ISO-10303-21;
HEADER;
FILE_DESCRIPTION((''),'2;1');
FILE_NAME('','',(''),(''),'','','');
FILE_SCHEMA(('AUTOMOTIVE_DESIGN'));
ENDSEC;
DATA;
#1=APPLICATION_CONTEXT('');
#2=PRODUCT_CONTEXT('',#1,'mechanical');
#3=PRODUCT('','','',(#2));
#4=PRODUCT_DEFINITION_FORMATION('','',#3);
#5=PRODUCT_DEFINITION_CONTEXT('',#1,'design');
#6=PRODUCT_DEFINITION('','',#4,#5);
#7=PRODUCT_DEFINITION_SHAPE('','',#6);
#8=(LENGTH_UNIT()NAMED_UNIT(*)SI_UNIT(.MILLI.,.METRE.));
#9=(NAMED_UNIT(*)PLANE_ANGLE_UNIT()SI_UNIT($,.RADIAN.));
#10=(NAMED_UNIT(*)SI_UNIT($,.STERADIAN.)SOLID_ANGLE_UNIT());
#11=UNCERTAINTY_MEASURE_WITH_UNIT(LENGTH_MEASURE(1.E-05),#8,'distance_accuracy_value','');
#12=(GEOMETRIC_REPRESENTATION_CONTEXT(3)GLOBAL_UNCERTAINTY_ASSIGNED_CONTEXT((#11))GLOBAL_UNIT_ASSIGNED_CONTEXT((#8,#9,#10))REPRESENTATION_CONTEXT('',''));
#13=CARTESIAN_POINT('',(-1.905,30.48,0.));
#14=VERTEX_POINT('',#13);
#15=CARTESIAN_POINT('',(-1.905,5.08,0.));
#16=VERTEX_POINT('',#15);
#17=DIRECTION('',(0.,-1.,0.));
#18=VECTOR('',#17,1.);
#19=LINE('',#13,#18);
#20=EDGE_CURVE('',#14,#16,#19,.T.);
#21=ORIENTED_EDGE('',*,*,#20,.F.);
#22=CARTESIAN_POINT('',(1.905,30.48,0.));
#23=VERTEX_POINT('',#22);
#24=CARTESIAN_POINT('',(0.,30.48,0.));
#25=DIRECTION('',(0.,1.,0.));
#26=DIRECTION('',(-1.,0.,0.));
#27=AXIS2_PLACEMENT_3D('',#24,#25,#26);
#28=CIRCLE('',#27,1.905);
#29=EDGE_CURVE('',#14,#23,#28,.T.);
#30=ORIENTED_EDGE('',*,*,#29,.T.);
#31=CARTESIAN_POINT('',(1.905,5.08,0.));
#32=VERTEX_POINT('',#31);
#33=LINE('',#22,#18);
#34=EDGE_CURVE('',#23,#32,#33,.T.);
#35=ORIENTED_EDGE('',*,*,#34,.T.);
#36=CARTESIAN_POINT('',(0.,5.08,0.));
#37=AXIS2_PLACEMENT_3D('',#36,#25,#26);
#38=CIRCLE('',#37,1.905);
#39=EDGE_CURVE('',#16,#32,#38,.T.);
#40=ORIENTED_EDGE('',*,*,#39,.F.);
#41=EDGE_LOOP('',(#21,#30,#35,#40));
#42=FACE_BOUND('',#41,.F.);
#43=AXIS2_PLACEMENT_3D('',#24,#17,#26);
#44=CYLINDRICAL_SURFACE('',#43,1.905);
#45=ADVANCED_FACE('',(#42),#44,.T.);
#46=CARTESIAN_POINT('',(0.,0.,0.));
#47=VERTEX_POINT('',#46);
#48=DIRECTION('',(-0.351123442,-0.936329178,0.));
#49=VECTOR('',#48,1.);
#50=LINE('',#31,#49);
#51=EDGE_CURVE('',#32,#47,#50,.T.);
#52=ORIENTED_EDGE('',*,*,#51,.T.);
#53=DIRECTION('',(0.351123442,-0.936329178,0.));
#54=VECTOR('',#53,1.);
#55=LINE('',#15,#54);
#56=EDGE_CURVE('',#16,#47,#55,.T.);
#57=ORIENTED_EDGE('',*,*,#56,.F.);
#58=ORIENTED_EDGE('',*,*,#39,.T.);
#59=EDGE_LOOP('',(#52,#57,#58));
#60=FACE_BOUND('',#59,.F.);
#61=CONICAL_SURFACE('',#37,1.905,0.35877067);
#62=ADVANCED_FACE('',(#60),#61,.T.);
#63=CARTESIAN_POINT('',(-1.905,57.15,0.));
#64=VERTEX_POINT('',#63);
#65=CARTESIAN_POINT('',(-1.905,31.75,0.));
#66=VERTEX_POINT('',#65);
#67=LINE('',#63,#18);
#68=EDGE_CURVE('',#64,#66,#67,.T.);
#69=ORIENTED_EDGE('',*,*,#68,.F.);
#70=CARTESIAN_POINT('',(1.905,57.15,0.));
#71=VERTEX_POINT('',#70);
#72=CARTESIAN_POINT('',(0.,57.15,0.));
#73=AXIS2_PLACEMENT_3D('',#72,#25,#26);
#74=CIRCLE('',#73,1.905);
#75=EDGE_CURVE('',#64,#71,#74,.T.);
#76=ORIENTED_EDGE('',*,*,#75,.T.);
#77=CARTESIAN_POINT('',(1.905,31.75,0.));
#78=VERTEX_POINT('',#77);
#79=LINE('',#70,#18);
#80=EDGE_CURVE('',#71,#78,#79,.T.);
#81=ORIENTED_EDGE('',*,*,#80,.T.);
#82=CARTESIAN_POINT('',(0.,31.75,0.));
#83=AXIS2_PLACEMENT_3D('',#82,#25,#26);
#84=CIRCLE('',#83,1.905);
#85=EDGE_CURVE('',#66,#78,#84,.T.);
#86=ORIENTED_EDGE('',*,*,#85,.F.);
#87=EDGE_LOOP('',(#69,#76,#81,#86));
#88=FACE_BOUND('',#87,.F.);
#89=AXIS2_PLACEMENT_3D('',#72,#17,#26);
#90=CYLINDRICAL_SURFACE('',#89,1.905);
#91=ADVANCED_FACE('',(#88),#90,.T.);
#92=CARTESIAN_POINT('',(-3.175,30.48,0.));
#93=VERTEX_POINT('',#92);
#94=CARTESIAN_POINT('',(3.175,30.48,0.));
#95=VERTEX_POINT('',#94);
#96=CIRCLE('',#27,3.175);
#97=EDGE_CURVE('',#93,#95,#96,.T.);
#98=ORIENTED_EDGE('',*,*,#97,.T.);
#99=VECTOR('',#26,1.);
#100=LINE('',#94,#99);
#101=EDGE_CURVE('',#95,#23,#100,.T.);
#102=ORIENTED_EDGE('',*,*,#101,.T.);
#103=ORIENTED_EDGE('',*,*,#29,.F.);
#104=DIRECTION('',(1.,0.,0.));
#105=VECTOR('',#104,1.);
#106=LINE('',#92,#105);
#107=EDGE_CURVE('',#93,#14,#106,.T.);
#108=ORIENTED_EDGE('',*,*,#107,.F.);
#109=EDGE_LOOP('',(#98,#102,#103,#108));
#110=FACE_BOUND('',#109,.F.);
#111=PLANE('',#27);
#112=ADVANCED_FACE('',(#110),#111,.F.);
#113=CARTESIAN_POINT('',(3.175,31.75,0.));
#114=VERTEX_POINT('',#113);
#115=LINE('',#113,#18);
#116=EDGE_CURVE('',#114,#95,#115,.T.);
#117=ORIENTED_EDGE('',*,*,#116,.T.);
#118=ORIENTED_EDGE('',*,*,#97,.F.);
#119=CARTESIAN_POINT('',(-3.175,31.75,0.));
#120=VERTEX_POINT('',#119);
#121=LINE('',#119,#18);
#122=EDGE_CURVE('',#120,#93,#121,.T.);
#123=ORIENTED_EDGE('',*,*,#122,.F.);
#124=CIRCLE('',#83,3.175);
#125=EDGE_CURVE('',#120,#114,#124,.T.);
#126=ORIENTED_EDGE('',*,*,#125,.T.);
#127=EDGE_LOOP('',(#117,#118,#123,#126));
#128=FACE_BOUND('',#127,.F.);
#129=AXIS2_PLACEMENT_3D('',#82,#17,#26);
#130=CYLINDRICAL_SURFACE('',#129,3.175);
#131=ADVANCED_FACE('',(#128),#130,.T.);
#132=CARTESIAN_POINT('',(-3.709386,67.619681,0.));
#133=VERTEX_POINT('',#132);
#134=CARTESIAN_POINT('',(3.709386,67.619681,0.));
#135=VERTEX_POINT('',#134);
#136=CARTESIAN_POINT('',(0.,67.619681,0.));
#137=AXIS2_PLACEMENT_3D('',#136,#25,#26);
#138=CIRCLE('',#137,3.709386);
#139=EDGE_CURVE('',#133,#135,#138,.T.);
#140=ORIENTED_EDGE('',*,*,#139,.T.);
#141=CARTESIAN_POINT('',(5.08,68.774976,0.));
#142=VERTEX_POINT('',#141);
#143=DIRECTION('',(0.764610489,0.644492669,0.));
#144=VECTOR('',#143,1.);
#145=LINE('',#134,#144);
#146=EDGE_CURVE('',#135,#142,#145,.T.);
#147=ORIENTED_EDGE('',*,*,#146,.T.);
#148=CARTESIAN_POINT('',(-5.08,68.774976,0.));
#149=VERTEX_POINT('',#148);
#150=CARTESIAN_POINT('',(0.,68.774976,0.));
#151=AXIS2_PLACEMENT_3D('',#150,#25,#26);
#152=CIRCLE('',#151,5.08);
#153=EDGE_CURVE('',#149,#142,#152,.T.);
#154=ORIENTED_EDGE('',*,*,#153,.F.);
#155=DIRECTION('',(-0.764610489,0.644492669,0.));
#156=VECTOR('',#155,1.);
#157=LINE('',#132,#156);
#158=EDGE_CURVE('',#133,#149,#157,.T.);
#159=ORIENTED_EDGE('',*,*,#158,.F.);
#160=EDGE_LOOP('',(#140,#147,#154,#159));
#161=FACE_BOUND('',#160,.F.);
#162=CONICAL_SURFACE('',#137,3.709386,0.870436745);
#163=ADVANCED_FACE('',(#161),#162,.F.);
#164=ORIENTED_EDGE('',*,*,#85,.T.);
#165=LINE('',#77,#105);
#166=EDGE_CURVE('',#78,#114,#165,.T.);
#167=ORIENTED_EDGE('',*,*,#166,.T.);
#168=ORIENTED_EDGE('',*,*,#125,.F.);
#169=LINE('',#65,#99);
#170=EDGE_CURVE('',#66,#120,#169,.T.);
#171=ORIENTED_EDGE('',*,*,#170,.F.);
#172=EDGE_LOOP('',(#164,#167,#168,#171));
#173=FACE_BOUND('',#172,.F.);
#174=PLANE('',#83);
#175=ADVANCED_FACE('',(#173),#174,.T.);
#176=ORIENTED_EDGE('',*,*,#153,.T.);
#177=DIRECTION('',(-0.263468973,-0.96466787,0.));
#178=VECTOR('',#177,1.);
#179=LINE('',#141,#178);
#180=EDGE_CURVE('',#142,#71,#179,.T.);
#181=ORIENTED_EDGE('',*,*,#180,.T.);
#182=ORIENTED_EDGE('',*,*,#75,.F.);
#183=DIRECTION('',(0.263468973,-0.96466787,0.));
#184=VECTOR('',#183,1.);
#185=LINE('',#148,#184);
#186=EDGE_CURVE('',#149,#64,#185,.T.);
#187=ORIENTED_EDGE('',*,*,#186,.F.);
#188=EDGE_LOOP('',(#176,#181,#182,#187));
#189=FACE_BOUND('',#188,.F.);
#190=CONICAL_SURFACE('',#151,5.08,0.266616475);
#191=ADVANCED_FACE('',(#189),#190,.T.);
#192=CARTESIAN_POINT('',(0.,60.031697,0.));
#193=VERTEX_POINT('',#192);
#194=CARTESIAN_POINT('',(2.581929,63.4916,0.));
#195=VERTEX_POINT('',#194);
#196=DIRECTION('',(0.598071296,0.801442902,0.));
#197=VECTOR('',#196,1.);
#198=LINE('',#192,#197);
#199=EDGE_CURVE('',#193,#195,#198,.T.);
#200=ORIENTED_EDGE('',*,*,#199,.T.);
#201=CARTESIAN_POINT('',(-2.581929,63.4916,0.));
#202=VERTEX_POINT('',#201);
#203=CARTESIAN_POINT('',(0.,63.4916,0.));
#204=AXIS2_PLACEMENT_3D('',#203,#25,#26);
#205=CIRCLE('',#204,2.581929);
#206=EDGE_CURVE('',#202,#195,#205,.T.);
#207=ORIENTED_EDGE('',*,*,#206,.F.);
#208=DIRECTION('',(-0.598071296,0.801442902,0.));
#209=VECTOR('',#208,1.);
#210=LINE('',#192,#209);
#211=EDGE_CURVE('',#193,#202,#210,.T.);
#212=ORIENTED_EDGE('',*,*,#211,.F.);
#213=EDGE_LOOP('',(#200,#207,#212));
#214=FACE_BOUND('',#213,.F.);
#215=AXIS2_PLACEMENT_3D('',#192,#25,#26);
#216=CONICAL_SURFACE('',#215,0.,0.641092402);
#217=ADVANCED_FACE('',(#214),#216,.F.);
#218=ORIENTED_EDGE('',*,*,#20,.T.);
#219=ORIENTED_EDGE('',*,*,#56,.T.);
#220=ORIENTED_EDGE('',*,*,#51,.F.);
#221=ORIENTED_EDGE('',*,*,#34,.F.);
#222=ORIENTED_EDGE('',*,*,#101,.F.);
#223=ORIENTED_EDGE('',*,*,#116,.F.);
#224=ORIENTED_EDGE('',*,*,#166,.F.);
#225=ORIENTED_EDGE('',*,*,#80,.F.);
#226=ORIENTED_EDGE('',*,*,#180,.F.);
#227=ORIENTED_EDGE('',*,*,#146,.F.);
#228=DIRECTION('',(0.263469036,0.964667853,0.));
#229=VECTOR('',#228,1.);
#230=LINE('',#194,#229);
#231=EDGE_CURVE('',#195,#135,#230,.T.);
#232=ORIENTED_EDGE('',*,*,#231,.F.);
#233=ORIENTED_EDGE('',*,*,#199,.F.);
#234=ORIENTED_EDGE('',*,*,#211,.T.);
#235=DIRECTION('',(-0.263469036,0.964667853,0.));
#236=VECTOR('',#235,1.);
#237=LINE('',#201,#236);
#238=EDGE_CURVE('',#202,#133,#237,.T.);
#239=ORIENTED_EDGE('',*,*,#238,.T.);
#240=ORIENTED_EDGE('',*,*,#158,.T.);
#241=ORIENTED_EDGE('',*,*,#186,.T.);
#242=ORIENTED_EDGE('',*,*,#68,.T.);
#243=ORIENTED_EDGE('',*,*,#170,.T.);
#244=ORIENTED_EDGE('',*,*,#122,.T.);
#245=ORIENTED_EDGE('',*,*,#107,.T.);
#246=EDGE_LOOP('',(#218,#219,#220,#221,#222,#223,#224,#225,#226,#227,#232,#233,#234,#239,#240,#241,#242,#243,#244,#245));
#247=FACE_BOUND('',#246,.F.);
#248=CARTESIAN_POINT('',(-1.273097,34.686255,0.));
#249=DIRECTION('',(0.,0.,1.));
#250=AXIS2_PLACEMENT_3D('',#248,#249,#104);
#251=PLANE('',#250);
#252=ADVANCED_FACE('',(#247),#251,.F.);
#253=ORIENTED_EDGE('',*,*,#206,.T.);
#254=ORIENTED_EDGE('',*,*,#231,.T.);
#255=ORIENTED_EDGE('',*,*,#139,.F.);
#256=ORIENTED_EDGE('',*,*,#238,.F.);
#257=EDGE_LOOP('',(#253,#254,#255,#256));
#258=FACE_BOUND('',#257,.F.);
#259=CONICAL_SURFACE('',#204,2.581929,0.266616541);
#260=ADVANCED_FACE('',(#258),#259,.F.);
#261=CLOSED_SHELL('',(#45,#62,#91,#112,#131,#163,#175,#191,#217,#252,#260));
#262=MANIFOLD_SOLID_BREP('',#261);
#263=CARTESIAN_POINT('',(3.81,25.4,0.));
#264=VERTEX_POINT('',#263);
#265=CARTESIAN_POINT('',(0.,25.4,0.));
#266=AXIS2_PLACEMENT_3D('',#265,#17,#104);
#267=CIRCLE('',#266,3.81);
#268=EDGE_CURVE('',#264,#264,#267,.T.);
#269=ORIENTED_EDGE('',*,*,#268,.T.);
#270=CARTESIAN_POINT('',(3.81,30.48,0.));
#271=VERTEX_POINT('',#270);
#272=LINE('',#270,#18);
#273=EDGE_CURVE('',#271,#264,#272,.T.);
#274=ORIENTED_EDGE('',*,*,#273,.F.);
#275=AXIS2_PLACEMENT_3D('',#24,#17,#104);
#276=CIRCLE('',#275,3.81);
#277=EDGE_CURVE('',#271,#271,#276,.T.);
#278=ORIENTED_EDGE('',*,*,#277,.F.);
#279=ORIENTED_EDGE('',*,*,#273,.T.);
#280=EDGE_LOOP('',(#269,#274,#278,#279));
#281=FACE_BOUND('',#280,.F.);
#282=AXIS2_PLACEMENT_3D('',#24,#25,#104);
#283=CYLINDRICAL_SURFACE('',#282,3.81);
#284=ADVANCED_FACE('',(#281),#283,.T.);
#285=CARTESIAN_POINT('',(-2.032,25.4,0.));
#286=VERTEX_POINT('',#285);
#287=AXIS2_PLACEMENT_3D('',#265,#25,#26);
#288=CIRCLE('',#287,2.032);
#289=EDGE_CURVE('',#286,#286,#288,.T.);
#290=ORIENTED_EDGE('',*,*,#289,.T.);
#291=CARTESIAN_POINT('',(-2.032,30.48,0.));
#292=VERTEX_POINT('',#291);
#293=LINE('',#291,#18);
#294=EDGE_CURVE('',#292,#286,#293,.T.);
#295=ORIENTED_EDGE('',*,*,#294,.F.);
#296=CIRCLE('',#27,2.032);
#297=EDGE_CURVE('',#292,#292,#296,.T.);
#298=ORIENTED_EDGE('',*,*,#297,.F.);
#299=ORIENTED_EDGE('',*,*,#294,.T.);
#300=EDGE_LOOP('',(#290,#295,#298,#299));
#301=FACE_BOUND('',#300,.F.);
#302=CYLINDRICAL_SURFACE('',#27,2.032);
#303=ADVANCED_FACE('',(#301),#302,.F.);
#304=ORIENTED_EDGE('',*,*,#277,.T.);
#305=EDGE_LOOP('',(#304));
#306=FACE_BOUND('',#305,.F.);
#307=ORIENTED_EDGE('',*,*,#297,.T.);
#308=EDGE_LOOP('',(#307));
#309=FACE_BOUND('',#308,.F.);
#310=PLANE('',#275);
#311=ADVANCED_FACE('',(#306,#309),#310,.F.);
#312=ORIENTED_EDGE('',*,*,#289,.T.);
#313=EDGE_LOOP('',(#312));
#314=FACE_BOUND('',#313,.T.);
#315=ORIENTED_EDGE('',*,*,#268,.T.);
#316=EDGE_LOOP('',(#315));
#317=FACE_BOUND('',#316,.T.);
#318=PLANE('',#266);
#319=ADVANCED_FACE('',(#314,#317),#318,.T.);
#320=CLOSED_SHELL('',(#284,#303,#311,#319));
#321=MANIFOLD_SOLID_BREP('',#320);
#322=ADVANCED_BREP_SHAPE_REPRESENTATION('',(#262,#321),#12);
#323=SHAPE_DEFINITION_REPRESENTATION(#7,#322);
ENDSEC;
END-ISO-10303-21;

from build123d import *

# Parameters (mm, degrees)
F1_ANGLE = 180
F2_R     = 3.81
F3_DEPTH = 5.08


with BuildPart() as f1:
    # F0 (on Top) → F1 (revolve)
    with BuildSketch(Plane.XY):
        Polygon((-1.905, 5.08), (0, 0), (0, 60.031697), (-2.581929, 63.4916), (-3.709386, 67.619681), (-5.08, 68.774976), (-1.905, 57.15), (-1.905, 31.75), (-3.175, 31.75), (-3.175, 30.48), (-1.905, 30.48), align=None)
    revolve(axis=Axis((0, 30.015849, 0), (0, 1, 0)), revolution_arc=F1_ANGLE)


with BuildPart() as f3:
    # F2 (on face) → F3 (new body)
    with BuildSketch(Plane.XZ.offset(-30.48)):
        Circle(F2_R)
        with BuildLine():
            Line((3.175, 0), (2.032, 0))
            ThreePointArc((2.032, 0), (0, -2.032), (-2.032, 0))
            Line((-2.032, 0), (-3.175, 0))
            ThreePointArc((-3.175, 0), (0, 3.175), (3.175, 0))
        make_face(mode=Mode.SUBTRACT)
        with BuildLine():
            ThreePointArc((-2.032, 0), (0, 2.032), (2.032, 0))
            Line((2.032, 0), (3.175, 0))
            ThreePointArc((3.175, 0), (0, 3.175), (-3.175, 0))
            Line((-3.175, 0), (-2.032, 0))
        make_face()
    extrude(amount=F3_DEPTH)


solid = Compound([f1.part, f3.part])
